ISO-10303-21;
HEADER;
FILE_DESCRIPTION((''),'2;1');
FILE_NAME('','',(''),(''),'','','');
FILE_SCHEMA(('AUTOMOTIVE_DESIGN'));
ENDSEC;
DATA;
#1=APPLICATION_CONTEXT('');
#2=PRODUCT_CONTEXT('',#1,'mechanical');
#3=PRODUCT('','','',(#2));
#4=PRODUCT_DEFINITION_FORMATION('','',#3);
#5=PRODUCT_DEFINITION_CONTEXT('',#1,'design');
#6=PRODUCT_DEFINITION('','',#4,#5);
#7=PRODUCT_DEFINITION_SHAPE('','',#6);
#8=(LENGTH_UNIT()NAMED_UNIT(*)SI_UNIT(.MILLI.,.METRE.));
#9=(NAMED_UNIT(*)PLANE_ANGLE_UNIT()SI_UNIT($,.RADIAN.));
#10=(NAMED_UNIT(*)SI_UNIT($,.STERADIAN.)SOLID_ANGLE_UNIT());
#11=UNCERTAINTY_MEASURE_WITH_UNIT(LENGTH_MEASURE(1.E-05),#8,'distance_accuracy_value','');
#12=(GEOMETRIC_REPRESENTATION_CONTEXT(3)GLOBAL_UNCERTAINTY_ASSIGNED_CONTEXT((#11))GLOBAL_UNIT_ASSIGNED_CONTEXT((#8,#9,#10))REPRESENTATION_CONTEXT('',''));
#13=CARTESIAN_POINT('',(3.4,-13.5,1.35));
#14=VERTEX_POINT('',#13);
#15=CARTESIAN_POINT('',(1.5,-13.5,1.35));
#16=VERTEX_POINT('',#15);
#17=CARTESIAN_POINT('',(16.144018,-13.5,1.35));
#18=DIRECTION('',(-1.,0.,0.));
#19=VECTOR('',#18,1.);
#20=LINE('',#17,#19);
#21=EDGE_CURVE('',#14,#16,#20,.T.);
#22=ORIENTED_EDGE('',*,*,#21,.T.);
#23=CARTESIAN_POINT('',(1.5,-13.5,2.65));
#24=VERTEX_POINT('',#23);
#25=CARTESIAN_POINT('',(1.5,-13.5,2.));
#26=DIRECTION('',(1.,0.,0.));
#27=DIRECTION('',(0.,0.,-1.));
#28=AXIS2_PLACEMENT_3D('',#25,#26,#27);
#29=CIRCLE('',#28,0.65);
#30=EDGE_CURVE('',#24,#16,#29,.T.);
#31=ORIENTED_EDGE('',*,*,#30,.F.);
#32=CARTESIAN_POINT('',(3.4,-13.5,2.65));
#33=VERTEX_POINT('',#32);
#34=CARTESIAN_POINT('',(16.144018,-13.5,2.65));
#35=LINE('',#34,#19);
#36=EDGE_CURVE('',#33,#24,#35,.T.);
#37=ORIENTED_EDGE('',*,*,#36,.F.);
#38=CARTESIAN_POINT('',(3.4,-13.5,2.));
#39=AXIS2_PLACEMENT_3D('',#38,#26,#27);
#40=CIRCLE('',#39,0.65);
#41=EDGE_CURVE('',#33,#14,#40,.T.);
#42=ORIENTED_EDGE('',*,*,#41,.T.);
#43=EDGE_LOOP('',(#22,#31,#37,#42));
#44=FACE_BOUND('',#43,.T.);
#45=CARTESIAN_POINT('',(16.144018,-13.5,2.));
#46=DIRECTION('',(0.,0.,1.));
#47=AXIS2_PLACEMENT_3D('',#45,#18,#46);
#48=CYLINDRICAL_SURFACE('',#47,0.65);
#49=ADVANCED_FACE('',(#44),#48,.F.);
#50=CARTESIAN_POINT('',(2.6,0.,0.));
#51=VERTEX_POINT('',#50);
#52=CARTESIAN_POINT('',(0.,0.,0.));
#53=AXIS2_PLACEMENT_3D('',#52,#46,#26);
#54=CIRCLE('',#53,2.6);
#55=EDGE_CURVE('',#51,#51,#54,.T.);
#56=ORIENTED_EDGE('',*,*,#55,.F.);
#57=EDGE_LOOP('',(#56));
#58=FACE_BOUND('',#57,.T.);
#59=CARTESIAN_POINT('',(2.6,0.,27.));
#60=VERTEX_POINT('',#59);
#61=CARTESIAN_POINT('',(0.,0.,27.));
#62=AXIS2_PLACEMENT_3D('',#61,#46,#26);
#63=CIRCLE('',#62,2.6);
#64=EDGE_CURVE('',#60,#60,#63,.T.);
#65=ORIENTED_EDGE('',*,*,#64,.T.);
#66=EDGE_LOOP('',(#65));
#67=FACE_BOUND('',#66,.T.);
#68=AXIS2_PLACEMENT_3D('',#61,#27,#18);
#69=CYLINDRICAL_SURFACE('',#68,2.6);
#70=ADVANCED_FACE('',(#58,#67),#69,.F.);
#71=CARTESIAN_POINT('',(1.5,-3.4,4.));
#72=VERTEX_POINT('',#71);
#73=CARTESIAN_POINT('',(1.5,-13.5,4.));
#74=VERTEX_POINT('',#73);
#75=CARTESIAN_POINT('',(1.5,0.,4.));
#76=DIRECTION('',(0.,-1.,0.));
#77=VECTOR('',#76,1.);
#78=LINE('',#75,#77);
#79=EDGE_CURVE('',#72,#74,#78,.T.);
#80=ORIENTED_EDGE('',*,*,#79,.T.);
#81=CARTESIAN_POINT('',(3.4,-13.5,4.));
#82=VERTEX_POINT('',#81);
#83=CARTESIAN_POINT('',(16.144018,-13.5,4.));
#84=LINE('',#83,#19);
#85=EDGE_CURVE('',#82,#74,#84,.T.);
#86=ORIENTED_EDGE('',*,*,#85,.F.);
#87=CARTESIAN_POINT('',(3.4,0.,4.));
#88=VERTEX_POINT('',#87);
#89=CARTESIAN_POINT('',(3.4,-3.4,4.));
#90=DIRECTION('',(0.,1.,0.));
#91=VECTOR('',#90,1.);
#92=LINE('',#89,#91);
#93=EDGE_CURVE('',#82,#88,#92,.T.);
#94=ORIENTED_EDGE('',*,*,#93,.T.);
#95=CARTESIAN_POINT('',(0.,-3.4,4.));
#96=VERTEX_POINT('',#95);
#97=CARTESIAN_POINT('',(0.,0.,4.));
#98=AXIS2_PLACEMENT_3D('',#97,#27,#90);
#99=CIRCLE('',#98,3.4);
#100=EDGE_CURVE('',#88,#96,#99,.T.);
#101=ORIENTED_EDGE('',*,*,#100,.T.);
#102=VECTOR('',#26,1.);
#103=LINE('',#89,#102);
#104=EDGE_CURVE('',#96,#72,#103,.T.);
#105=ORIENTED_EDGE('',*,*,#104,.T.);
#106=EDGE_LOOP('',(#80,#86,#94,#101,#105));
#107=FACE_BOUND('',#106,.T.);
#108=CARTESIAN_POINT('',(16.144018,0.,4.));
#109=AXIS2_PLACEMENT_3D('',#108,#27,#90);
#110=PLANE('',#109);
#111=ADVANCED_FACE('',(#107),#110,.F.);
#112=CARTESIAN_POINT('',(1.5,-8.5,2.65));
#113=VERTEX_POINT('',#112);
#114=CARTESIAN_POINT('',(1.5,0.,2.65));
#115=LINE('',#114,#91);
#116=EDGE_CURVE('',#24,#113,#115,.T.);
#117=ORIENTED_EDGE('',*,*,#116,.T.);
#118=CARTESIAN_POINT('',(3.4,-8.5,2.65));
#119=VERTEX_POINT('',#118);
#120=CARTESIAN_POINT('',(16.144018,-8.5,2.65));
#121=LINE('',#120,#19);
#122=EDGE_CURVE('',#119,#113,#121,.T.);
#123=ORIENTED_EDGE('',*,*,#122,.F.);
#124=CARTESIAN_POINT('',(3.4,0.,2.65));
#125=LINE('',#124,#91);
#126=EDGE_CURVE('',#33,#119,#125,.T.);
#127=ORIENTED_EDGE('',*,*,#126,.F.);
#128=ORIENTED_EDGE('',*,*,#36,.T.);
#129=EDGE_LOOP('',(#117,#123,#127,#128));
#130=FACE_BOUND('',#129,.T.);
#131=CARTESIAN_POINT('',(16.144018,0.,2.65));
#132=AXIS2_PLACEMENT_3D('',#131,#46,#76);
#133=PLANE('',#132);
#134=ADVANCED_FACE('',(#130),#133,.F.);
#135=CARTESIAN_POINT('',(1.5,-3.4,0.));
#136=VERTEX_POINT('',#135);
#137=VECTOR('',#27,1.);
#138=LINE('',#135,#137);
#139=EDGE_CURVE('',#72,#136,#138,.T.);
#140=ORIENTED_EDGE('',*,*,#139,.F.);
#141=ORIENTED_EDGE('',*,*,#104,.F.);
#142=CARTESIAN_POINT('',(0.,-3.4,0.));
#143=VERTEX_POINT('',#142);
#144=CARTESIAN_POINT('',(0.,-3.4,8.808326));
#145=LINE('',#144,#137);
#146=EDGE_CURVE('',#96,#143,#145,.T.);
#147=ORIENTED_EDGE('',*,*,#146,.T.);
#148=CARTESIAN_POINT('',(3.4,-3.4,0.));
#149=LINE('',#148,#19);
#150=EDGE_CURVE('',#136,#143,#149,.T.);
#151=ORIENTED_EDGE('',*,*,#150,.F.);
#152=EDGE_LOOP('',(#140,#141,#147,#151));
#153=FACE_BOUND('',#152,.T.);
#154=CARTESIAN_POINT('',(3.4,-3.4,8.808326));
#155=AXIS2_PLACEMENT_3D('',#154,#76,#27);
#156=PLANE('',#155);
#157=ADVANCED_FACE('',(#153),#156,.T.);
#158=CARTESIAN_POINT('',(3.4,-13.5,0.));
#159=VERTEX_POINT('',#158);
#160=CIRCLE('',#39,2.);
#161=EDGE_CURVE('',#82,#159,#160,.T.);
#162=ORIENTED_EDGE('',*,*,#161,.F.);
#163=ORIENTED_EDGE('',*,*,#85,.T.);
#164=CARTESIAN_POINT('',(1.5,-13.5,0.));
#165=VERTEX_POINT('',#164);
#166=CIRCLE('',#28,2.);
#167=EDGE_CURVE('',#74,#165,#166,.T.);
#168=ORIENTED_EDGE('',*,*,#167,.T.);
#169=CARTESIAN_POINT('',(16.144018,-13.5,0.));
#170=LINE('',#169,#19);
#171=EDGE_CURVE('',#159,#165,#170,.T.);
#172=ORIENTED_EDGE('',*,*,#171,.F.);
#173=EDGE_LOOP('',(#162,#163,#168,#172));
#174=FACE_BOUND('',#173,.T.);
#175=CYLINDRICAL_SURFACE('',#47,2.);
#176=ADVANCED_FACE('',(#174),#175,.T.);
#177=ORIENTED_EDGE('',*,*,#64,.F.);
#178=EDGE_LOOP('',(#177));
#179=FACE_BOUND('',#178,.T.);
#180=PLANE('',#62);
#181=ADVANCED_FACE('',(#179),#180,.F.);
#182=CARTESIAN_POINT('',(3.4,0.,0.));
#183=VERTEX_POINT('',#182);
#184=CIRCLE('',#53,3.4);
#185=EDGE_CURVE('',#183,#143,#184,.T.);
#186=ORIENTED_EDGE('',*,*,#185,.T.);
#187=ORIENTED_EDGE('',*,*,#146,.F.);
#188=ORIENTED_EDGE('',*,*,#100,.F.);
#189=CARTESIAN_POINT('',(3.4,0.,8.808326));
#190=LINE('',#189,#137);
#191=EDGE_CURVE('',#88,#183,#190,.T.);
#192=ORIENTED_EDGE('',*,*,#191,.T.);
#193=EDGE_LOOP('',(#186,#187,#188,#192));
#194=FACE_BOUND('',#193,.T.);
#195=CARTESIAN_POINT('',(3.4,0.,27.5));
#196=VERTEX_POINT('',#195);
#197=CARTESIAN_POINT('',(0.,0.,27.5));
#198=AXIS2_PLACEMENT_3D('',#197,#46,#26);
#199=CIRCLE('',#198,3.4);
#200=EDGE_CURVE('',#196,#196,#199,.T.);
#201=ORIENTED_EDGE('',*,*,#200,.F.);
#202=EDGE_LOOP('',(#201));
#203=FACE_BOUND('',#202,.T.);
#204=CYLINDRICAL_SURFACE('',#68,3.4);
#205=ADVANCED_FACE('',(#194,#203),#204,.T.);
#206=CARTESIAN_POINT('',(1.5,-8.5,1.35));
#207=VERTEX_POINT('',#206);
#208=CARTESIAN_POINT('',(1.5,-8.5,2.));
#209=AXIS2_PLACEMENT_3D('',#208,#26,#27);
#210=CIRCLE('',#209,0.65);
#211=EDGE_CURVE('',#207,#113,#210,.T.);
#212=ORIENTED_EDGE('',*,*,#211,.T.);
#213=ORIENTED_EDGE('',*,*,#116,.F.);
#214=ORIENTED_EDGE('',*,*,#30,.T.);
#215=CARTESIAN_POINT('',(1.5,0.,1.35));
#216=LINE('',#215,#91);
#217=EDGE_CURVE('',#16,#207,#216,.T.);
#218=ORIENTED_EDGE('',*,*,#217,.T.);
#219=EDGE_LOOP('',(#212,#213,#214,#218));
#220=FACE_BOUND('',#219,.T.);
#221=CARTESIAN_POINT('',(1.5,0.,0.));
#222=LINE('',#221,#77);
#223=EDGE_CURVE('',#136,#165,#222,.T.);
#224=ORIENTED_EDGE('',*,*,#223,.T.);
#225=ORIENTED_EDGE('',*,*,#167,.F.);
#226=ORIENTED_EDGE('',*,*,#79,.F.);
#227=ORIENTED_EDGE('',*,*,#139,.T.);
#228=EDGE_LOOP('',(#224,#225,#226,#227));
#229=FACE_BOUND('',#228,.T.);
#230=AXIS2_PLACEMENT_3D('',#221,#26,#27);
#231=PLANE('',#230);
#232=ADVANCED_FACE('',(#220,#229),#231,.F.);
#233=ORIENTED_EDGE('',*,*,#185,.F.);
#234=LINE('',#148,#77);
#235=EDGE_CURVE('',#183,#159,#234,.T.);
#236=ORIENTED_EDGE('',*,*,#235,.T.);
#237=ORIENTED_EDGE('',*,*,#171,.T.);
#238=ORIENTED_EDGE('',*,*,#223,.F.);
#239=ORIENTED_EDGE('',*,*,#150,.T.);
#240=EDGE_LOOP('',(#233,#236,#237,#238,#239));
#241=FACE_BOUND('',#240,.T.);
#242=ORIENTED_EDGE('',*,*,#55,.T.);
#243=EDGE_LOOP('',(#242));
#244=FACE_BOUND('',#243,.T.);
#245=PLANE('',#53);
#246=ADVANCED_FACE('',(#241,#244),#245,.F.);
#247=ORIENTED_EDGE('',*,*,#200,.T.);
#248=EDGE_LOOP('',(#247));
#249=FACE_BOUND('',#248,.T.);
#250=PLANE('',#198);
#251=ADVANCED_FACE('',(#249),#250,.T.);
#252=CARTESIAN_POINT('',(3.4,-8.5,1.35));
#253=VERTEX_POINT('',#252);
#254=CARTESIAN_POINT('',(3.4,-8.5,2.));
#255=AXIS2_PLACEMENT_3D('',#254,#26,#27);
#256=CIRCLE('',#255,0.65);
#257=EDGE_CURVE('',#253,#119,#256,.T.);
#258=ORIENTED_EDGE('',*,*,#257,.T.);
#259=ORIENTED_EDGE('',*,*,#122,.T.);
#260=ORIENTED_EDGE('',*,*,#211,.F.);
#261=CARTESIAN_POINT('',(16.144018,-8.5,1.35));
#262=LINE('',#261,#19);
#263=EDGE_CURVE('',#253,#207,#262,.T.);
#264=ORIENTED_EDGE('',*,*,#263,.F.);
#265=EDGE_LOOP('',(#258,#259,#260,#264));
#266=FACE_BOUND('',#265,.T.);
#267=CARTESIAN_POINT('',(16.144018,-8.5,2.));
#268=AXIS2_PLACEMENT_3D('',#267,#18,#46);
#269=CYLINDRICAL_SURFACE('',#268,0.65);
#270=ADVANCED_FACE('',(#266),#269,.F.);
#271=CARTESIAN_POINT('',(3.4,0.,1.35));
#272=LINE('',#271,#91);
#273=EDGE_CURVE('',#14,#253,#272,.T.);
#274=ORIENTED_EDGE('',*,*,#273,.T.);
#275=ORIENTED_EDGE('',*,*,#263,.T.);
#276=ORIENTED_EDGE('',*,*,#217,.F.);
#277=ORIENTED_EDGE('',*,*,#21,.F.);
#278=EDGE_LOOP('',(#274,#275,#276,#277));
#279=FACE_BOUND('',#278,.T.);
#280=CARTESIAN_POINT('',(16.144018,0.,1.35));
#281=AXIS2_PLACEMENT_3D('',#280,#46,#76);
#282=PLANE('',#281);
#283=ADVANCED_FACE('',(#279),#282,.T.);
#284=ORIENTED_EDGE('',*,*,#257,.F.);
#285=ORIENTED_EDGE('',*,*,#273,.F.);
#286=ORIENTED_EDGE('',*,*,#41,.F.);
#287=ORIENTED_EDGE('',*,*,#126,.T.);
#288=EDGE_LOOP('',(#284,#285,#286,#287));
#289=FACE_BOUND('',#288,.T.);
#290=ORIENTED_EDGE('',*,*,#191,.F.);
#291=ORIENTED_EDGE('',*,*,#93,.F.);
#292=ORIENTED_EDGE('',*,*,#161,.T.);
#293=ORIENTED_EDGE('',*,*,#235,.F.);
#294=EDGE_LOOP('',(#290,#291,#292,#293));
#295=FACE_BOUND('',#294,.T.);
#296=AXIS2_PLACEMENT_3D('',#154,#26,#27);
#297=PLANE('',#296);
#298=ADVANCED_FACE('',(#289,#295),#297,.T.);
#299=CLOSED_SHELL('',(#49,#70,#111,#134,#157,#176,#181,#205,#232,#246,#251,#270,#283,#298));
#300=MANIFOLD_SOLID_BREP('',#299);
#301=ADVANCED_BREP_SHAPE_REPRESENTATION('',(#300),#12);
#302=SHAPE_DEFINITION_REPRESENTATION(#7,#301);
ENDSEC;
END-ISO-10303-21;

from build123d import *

# Parameters (mm, degrees)
ESQUISSE5_R        = 3.4
ESQUISSE5_R_2      = 2.6
BOSS_EXTRU_1_DEPTH = 27
ESQUISSE6_R        = 3.4
BOSS_EXTRU_2_DEPTH = 0.5
BOSS_EXTRU_4_START = 1.5
BOSS_EXTRU_4_DEPTH = 1.9
BOSS_EXTRU_5_DEPTH = 4


with BuildPart() as part:
    # Esquisse5 → Boss.-Extru.1 (new body)
    with BuildSketch(Plane.XY):
        Circle(ESQUISSE5_R)
        Circle(ESQUISSE5_R_2, mode=Mode.SUBTRACT)
    extrude(amount=BOSS_EXTRU_1_DEPTH)

    # Esquisse6 → Boss.-Extru.2 (add)
    with BuildSketch(Plane.XY.offset(27)):
        Circle(ESQUISSE6_R)
    extrude(amount=BOSS_EXTRU_2_DEPTH)



with BuildPart() as body_2:
    # Esquisse9 → Boss.-Extru.4 (new body)
    with BuildSketch(Plane(origin=(0, 0, 0), x_dir=(0, 0, -1), z_dir=(1, 0, 0)).offset(BOSS_EXTRU_4_START)):
        with BuildLine():
            Line((-4, -3.4), (-4, -13.5))
            ThreePointArc((-4, -13.5), (-2, -15.5), (0, -13.5))
            Line((0, -13.5), (0, -3.4))
            Line((0, -3.4), (-4, -3.4))
        make_face()
        with BuildLine():
            ThreePointArc((-1.35, -8.5), (-2, -7.85), (-2.65, -8.5))
            Line((-2.65, -8.5), (-2.65, -13.5))
            ThreePointArc((-2.65, -13.5), (-2, -14.15), (-1.35, -13.5))
            Line((-1.35, -13.5), (-1.35, -8.5))
        make_face(mode=Mode.SUBTRACT)
    extrude(amount=BOSS_EXTRU_4_DEPTH)


with BuildPart() as part_1:
    add(part.part)

    add(body_2.part)  # Boss.-Extru.5 merges body 2
    # Esquisse10 → Boss.-Extru.5 (add)
    with BuildSketch(Plane(origin=(0, 0, 0), x_dir=(-1, 0, 0), z_dir=(0, 0, -1))):
        with BuildLine():
            Line((-3.4, -3.4), (0, -3.4))
            ThreePointArc((0, -3.4), (-2.404163056, -2.404163056), (-3.4, 0))
            Line((-3.4, 0), (-3.4, -3.4))
        make_face()
    extrude(amount=-BOSS_EXTRU_5_DEPTH)


solid = part_1.part
